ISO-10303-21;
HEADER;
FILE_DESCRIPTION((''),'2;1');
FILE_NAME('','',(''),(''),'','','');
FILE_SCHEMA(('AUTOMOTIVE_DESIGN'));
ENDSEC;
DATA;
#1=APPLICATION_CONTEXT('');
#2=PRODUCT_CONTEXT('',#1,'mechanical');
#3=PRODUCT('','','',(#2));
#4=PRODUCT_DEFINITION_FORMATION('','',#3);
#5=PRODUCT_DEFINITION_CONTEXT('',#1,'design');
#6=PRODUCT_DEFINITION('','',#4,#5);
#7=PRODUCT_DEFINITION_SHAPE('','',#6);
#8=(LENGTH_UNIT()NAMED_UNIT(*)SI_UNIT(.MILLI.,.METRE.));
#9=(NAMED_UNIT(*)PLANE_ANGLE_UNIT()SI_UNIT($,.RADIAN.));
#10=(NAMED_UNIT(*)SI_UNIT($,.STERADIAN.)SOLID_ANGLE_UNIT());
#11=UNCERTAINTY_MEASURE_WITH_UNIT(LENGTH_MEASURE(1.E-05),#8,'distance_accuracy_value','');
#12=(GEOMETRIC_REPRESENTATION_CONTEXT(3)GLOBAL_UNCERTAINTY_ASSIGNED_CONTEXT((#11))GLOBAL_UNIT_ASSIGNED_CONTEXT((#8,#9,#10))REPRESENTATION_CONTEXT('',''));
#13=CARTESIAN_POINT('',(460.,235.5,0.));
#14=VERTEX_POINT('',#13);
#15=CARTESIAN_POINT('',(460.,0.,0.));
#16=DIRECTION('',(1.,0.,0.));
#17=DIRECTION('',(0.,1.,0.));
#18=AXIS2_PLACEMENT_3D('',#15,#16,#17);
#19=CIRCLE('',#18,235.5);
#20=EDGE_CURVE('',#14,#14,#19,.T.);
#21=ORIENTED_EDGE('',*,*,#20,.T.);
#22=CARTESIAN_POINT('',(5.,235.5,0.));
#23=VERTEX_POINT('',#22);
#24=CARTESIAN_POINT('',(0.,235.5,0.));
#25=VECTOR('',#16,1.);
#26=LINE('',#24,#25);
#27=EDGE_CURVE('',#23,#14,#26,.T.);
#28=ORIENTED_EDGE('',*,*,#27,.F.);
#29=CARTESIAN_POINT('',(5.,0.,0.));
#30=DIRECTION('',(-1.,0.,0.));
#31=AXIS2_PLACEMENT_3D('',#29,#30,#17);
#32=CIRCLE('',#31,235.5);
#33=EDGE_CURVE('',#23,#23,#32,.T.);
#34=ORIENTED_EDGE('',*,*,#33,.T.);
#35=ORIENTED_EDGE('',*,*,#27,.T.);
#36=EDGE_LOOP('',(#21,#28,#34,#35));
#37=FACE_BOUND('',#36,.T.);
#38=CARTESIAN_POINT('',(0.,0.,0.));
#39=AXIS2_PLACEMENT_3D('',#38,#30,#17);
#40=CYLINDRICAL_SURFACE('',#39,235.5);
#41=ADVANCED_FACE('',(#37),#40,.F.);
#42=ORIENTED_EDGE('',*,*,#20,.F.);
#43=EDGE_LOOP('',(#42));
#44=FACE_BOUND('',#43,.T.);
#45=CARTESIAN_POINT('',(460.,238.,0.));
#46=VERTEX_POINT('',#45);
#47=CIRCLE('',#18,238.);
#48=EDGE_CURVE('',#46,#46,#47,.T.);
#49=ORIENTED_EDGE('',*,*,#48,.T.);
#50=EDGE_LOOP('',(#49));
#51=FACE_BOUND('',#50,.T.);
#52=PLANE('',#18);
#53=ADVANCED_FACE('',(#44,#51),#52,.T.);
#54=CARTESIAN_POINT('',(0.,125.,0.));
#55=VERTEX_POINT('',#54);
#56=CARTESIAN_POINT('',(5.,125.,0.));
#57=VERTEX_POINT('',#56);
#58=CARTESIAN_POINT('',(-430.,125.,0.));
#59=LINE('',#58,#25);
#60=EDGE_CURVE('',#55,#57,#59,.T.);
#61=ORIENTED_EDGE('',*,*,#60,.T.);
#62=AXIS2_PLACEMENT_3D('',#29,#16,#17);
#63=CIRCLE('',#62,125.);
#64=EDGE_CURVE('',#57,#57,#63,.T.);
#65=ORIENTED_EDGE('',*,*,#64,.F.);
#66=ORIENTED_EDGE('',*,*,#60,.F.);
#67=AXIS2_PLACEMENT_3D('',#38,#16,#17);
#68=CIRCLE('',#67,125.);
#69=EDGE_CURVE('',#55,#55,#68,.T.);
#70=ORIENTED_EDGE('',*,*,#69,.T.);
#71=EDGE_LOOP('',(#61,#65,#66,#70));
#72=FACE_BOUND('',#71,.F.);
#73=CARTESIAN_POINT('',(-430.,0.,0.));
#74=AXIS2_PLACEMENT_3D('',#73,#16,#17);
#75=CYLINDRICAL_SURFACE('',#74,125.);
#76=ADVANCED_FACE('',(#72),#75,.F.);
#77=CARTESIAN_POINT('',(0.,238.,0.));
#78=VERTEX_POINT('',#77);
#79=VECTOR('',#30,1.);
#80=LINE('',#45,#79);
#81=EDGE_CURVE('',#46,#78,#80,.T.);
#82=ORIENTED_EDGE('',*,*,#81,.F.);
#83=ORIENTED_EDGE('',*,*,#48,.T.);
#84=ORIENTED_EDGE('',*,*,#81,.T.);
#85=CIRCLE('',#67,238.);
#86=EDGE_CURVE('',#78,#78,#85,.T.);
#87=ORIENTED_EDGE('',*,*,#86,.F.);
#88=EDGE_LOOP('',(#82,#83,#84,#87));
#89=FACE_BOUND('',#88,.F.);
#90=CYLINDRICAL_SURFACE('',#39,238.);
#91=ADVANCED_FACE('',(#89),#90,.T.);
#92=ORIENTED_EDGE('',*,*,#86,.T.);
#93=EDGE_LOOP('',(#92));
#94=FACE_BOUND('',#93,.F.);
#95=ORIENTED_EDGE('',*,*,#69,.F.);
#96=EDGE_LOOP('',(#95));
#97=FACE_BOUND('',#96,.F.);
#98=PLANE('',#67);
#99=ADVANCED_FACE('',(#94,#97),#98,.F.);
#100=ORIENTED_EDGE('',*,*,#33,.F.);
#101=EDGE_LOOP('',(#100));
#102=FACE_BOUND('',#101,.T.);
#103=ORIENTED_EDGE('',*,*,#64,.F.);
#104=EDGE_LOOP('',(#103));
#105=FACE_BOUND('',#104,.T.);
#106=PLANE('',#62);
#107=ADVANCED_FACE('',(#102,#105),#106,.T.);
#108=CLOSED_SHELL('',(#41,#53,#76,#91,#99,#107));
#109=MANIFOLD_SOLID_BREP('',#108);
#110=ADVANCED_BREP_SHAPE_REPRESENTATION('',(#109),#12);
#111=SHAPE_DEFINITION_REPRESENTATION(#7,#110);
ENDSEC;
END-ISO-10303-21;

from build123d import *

# Parameters (mm, degrees)
F0_R     = 238
F0_R_2   = 235.5
F1_DEPTH = 460
F2_R     = 238
F3_DEPTH = 5
F5_D     = 250
F5_DEPTH = 430


with BuildPart() as f1:
    # F0 (on Right) → F1 (new body)
    with BuildSketch(Plane.YZ):
        Circle(F0_R)
        Circle(F0_R_2, mode=Mode.SUBTRACT)
    extrude(amount=F1_DEPTH)

    # F2 (on Right) → F3 (join)
    with BuildSketch(Plane.YZ):
        Circle(F2_R)
    extrude(amount=F3_DEPTH)

    # F5
    with Locations(Plane(origin=(0, 0, 0), x_dir=(0, -1, 0), z_dir=(-1, 0, 0))):
        with Locations((0, 0)):
            Hole(F5_D / 2, depth=F5_DEPTH)


solid = f1.part
